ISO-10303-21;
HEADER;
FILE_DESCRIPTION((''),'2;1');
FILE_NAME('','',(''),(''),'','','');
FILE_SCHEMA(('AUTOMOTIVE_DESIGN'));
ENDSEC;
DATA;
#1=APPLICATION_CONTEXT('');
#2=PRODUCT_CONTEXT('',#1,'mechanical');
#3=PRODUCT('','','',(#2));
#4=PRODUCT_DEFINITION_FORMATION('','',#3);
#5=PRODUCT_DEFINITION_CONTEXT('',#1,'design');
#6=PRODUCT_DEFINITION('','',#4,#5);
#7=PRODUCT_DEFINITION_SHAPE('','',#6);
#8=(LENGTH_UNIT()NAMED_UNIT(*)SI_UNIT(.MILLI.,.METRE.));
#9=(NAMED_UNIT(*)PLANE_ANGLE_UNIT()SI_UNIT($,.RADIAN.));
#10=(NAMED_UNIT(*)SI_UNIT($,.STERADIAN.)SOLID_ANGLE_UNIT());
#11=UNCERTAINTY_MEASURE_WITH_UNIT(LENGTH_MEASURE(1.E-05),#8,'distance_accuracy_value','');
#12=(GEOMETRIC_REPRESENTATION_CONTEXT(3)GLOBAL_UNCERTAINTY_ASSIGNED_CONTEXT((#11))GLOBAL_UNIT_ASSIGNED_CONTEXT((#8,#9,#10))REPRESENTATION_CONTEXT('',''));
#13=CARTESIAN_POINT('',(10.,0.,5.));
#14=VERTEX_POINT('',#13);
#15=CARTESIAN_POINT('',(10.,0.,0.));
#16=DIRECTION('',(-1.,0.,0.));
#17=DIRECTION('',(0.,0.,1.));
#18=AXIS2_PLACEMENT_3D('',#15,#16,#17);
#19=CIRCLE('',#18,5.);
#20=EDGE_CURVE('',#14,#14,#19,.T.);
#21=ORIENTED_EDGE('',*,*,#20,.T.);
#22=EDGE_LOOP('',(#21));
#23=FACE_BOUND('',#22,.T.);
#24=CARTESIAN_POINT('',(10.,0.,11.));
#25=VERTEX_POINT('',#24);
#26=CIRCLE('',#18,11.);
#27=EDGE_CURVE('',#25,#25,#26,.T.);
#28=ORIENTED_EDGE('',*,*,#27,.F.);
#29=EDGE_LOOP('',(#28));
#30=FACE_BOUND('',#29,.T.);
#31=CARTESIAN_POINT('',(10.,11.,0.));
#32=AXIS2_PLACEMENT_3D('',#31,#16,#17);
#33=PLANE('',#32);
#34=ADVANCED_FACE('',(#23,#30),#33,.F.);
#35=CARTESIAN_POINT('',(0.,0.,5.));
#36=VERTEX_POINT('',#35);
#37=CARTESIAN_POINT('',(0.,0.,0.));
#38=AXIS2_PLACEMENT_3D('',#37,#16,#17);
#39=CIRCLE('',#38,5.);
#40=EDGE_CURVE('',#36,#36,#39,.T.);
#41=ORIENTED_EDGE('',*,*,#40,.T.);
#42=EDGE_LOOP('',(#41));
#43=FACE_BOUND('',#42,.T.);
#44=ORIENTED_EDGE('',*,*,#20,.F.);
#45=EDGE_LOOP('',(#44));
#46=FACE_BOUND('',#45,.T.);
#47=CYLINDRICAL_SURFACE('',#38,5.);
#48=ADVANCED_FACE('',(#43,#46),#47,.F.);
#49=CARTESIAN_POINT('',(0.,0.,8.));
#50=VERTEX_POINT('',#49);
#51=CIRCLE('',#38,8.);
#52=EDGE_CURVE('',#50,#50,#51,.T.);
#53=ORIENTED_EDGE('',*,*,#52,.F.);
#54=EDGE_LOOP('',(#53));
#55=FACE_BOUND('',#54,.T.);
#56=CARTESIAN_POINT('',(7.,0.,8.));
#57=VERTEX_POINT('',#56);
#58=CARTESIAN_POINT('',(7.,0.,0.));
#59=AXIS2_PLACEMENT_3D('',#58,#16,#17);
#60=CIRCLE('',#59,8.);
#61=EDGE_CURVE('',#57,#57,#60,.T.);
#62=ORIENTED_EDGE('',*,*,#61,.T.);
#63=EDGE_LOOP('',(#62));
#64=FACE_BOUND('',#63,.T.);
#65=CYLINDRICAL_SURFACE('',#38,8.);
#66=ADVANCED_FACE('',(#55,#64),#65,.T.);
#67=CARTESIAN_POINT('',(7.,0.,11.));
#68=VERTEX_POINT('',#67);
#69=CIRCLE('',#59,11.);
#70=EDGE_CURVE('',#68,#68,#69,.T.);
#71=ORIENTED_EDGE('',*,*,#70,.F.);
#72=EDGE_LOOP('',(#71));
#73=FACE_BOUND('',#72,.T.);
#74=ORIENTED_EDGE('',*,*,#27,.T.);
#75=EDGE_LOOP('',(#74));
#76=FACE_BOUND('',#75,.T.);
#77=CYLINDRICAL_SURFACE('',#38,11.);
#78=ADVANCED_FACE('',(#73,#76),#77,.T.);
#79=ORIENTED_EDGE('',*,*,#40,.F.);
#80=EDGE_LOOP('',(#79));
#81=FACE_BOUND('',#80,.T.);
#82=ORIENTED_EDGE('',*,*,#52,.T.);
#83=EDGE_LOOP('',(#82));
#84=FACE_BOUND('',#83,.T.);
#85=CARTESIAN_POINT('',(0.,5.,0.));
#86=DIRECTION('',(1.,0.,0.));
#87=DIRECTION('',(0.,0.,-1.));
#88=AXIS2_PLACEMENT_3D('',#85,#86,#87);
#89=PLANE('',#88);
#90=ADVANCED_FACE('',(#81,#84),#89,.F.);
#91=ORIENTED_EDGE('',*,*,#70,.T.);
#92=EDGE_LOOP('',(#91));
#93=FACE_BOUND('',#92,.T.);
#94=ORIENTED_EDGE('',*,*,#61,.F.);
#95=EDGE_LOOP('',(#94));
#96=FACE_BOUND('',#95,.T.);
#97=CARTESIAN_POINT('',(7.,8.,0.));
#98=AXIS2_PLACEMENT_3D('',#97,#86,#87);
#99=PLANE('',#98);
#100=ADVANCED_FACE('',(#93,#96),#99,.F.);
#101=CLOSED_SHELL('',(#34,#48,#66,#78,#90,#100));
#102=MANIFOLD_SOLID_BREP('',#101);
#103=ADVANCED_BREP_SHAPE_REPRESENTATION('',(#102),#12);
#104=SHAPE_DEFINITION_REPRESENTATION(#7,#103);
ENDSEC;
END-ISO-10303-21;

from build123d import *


with BuildPart() as part:
    # Sketch1 → Revolve1 (revolve)
    with BuildSketch(Plane.XY, mode=Mode.PRIVATE) as revolve1_sk:
        Polygon((0, 8), (7, 8), (7, 11), (10, 11), (10, 5), (0, 5), align=None)
    revolve(revolve1_sk.sketch.rotate(Axis((0, 0, 0), (1, 0, 0)), 90), axis=Axis((0, 0, 0), (1, 0, 0)))


solid = part.part
